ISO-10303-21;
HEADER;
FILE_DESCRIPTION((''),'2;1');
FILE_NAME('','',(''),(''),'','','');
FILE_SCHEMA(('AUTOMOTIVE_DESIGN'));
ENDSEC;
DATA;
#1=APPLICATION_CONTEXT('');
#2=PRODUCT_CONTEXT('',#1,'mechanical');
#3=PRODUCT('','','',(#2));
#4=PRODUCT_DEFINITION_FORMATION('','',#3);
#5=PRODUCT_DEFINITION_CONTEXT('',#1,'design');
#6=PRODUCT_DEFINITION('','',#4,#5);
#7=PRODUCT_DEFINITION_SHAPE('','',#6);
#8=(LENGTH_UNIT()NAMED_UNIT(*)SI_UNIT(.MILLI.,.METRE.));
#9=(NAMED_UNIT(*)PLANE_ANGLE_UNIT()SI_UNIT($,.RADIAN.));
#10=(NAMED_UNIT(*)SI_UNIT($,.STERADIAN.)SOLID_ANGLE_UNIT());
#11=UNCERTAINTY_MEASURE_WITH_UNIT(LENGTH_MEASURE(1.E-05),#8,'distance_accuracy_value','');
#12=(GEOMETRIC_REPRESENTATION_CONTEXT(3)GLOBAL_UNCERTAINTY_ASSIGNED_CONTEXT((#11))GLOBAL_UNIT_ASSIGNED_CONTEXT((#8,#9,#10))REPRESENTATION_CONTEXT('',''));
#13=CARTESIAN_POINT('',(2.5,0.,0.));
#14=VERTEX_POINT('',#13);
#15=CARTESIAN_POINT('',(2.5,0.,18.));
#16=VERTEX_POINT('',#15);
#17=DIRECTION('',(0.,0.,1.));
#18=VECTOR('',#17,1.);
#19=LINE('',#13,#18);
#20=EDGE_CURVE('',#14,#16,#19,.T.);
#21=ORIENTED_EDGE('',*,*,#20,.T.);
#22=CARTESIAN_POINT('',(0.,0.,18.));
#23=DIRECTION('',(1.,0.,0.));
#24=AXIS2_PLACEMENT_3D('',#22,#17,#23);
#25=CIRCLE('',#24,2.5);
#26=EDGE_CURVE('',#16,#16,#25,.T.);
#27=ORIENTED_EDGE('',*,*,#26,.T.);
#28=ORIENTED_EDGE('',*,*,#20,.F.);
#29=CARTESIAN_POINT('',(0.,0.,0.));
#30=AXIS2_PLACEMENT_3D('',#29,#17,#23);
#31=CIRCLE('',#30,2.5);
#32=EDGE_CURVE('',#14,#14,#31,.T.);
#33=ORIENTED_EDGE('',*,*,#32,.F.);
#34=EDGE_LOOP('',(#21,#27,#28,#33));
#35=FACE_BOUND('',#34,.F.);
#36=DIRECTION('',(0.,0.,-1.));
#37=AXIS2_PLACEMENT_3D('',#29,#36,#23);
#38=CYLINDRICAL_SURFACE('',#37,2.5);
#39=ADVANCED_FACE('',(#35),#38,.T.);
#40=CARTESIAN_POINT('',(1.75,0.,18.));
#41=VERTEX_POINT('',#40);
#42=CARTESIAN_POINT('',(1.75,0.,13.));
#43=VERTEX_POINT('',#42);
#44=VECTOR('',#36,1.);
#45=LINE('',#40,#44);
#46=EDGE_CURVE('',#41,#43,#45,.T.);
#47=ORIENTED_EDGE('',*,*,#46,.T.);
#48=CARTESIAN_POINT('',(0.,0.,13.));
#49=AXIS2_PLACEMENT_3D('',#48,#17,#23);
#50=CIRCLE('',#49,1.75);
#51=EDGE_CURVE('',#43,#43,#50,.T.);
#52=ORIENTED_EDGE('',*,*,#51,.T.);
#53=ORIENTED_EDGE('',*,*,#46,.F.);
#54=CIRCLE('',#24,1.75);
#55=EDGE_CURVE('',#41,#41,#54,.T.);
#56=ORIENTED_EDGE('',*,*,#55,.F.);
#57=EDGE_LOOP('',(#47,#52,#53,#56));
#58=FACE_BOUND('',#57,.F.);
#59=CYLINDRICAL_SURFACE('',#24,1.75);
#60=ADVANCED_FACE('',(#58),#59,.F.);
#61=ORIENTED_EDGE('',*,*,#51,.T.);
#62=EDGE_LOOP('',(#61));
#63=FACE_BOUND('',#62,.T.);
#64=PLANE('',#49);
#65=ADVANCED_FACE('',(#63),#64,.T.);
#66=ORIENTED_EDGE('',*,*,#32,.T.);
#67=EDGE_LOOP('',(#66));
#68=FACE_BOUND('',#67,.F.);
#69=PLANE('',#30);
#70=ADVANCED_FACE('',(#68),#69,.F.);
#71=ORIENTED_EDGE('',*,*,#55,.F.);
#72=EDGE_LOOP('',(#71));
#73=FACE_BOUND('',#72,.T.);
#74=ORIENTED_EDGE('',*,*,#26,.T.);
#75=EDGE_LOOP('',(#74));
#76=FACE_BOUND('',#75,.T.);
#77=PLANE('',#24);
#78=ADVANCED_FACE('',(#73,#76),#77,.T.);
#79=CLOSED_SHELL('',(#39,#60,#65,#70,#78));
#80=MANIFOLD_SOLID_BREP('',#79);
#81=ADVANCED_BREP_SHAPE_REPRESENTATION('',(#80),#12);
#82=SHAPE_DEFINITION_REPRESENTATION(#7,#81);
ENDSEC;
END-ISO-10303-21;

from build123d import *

# Parameters (mm, degrees)
SKETCH_R     = 2.5
PAD_DEPTH    = 18
SKETCH001_R  = 1.75
POCKET_DEPTH = 5


with BuildPart() as part:
    # Sketch → Pad (new body)
    with BuildSketch(Plane.XY):
        Circle(SKETCH_R)
    extrude(amount=PAD_DEPTH)

    # Sketch001 (on Face3 of Pad) → Pocket (cut)
    with BuildSketch(Plane.XY.offset(18)):
        Circle(SKETCH001_R)
    extrude(amount=-POCKET_DEPTH, mode=Mode.SUBTRACT)


solid = part.part
